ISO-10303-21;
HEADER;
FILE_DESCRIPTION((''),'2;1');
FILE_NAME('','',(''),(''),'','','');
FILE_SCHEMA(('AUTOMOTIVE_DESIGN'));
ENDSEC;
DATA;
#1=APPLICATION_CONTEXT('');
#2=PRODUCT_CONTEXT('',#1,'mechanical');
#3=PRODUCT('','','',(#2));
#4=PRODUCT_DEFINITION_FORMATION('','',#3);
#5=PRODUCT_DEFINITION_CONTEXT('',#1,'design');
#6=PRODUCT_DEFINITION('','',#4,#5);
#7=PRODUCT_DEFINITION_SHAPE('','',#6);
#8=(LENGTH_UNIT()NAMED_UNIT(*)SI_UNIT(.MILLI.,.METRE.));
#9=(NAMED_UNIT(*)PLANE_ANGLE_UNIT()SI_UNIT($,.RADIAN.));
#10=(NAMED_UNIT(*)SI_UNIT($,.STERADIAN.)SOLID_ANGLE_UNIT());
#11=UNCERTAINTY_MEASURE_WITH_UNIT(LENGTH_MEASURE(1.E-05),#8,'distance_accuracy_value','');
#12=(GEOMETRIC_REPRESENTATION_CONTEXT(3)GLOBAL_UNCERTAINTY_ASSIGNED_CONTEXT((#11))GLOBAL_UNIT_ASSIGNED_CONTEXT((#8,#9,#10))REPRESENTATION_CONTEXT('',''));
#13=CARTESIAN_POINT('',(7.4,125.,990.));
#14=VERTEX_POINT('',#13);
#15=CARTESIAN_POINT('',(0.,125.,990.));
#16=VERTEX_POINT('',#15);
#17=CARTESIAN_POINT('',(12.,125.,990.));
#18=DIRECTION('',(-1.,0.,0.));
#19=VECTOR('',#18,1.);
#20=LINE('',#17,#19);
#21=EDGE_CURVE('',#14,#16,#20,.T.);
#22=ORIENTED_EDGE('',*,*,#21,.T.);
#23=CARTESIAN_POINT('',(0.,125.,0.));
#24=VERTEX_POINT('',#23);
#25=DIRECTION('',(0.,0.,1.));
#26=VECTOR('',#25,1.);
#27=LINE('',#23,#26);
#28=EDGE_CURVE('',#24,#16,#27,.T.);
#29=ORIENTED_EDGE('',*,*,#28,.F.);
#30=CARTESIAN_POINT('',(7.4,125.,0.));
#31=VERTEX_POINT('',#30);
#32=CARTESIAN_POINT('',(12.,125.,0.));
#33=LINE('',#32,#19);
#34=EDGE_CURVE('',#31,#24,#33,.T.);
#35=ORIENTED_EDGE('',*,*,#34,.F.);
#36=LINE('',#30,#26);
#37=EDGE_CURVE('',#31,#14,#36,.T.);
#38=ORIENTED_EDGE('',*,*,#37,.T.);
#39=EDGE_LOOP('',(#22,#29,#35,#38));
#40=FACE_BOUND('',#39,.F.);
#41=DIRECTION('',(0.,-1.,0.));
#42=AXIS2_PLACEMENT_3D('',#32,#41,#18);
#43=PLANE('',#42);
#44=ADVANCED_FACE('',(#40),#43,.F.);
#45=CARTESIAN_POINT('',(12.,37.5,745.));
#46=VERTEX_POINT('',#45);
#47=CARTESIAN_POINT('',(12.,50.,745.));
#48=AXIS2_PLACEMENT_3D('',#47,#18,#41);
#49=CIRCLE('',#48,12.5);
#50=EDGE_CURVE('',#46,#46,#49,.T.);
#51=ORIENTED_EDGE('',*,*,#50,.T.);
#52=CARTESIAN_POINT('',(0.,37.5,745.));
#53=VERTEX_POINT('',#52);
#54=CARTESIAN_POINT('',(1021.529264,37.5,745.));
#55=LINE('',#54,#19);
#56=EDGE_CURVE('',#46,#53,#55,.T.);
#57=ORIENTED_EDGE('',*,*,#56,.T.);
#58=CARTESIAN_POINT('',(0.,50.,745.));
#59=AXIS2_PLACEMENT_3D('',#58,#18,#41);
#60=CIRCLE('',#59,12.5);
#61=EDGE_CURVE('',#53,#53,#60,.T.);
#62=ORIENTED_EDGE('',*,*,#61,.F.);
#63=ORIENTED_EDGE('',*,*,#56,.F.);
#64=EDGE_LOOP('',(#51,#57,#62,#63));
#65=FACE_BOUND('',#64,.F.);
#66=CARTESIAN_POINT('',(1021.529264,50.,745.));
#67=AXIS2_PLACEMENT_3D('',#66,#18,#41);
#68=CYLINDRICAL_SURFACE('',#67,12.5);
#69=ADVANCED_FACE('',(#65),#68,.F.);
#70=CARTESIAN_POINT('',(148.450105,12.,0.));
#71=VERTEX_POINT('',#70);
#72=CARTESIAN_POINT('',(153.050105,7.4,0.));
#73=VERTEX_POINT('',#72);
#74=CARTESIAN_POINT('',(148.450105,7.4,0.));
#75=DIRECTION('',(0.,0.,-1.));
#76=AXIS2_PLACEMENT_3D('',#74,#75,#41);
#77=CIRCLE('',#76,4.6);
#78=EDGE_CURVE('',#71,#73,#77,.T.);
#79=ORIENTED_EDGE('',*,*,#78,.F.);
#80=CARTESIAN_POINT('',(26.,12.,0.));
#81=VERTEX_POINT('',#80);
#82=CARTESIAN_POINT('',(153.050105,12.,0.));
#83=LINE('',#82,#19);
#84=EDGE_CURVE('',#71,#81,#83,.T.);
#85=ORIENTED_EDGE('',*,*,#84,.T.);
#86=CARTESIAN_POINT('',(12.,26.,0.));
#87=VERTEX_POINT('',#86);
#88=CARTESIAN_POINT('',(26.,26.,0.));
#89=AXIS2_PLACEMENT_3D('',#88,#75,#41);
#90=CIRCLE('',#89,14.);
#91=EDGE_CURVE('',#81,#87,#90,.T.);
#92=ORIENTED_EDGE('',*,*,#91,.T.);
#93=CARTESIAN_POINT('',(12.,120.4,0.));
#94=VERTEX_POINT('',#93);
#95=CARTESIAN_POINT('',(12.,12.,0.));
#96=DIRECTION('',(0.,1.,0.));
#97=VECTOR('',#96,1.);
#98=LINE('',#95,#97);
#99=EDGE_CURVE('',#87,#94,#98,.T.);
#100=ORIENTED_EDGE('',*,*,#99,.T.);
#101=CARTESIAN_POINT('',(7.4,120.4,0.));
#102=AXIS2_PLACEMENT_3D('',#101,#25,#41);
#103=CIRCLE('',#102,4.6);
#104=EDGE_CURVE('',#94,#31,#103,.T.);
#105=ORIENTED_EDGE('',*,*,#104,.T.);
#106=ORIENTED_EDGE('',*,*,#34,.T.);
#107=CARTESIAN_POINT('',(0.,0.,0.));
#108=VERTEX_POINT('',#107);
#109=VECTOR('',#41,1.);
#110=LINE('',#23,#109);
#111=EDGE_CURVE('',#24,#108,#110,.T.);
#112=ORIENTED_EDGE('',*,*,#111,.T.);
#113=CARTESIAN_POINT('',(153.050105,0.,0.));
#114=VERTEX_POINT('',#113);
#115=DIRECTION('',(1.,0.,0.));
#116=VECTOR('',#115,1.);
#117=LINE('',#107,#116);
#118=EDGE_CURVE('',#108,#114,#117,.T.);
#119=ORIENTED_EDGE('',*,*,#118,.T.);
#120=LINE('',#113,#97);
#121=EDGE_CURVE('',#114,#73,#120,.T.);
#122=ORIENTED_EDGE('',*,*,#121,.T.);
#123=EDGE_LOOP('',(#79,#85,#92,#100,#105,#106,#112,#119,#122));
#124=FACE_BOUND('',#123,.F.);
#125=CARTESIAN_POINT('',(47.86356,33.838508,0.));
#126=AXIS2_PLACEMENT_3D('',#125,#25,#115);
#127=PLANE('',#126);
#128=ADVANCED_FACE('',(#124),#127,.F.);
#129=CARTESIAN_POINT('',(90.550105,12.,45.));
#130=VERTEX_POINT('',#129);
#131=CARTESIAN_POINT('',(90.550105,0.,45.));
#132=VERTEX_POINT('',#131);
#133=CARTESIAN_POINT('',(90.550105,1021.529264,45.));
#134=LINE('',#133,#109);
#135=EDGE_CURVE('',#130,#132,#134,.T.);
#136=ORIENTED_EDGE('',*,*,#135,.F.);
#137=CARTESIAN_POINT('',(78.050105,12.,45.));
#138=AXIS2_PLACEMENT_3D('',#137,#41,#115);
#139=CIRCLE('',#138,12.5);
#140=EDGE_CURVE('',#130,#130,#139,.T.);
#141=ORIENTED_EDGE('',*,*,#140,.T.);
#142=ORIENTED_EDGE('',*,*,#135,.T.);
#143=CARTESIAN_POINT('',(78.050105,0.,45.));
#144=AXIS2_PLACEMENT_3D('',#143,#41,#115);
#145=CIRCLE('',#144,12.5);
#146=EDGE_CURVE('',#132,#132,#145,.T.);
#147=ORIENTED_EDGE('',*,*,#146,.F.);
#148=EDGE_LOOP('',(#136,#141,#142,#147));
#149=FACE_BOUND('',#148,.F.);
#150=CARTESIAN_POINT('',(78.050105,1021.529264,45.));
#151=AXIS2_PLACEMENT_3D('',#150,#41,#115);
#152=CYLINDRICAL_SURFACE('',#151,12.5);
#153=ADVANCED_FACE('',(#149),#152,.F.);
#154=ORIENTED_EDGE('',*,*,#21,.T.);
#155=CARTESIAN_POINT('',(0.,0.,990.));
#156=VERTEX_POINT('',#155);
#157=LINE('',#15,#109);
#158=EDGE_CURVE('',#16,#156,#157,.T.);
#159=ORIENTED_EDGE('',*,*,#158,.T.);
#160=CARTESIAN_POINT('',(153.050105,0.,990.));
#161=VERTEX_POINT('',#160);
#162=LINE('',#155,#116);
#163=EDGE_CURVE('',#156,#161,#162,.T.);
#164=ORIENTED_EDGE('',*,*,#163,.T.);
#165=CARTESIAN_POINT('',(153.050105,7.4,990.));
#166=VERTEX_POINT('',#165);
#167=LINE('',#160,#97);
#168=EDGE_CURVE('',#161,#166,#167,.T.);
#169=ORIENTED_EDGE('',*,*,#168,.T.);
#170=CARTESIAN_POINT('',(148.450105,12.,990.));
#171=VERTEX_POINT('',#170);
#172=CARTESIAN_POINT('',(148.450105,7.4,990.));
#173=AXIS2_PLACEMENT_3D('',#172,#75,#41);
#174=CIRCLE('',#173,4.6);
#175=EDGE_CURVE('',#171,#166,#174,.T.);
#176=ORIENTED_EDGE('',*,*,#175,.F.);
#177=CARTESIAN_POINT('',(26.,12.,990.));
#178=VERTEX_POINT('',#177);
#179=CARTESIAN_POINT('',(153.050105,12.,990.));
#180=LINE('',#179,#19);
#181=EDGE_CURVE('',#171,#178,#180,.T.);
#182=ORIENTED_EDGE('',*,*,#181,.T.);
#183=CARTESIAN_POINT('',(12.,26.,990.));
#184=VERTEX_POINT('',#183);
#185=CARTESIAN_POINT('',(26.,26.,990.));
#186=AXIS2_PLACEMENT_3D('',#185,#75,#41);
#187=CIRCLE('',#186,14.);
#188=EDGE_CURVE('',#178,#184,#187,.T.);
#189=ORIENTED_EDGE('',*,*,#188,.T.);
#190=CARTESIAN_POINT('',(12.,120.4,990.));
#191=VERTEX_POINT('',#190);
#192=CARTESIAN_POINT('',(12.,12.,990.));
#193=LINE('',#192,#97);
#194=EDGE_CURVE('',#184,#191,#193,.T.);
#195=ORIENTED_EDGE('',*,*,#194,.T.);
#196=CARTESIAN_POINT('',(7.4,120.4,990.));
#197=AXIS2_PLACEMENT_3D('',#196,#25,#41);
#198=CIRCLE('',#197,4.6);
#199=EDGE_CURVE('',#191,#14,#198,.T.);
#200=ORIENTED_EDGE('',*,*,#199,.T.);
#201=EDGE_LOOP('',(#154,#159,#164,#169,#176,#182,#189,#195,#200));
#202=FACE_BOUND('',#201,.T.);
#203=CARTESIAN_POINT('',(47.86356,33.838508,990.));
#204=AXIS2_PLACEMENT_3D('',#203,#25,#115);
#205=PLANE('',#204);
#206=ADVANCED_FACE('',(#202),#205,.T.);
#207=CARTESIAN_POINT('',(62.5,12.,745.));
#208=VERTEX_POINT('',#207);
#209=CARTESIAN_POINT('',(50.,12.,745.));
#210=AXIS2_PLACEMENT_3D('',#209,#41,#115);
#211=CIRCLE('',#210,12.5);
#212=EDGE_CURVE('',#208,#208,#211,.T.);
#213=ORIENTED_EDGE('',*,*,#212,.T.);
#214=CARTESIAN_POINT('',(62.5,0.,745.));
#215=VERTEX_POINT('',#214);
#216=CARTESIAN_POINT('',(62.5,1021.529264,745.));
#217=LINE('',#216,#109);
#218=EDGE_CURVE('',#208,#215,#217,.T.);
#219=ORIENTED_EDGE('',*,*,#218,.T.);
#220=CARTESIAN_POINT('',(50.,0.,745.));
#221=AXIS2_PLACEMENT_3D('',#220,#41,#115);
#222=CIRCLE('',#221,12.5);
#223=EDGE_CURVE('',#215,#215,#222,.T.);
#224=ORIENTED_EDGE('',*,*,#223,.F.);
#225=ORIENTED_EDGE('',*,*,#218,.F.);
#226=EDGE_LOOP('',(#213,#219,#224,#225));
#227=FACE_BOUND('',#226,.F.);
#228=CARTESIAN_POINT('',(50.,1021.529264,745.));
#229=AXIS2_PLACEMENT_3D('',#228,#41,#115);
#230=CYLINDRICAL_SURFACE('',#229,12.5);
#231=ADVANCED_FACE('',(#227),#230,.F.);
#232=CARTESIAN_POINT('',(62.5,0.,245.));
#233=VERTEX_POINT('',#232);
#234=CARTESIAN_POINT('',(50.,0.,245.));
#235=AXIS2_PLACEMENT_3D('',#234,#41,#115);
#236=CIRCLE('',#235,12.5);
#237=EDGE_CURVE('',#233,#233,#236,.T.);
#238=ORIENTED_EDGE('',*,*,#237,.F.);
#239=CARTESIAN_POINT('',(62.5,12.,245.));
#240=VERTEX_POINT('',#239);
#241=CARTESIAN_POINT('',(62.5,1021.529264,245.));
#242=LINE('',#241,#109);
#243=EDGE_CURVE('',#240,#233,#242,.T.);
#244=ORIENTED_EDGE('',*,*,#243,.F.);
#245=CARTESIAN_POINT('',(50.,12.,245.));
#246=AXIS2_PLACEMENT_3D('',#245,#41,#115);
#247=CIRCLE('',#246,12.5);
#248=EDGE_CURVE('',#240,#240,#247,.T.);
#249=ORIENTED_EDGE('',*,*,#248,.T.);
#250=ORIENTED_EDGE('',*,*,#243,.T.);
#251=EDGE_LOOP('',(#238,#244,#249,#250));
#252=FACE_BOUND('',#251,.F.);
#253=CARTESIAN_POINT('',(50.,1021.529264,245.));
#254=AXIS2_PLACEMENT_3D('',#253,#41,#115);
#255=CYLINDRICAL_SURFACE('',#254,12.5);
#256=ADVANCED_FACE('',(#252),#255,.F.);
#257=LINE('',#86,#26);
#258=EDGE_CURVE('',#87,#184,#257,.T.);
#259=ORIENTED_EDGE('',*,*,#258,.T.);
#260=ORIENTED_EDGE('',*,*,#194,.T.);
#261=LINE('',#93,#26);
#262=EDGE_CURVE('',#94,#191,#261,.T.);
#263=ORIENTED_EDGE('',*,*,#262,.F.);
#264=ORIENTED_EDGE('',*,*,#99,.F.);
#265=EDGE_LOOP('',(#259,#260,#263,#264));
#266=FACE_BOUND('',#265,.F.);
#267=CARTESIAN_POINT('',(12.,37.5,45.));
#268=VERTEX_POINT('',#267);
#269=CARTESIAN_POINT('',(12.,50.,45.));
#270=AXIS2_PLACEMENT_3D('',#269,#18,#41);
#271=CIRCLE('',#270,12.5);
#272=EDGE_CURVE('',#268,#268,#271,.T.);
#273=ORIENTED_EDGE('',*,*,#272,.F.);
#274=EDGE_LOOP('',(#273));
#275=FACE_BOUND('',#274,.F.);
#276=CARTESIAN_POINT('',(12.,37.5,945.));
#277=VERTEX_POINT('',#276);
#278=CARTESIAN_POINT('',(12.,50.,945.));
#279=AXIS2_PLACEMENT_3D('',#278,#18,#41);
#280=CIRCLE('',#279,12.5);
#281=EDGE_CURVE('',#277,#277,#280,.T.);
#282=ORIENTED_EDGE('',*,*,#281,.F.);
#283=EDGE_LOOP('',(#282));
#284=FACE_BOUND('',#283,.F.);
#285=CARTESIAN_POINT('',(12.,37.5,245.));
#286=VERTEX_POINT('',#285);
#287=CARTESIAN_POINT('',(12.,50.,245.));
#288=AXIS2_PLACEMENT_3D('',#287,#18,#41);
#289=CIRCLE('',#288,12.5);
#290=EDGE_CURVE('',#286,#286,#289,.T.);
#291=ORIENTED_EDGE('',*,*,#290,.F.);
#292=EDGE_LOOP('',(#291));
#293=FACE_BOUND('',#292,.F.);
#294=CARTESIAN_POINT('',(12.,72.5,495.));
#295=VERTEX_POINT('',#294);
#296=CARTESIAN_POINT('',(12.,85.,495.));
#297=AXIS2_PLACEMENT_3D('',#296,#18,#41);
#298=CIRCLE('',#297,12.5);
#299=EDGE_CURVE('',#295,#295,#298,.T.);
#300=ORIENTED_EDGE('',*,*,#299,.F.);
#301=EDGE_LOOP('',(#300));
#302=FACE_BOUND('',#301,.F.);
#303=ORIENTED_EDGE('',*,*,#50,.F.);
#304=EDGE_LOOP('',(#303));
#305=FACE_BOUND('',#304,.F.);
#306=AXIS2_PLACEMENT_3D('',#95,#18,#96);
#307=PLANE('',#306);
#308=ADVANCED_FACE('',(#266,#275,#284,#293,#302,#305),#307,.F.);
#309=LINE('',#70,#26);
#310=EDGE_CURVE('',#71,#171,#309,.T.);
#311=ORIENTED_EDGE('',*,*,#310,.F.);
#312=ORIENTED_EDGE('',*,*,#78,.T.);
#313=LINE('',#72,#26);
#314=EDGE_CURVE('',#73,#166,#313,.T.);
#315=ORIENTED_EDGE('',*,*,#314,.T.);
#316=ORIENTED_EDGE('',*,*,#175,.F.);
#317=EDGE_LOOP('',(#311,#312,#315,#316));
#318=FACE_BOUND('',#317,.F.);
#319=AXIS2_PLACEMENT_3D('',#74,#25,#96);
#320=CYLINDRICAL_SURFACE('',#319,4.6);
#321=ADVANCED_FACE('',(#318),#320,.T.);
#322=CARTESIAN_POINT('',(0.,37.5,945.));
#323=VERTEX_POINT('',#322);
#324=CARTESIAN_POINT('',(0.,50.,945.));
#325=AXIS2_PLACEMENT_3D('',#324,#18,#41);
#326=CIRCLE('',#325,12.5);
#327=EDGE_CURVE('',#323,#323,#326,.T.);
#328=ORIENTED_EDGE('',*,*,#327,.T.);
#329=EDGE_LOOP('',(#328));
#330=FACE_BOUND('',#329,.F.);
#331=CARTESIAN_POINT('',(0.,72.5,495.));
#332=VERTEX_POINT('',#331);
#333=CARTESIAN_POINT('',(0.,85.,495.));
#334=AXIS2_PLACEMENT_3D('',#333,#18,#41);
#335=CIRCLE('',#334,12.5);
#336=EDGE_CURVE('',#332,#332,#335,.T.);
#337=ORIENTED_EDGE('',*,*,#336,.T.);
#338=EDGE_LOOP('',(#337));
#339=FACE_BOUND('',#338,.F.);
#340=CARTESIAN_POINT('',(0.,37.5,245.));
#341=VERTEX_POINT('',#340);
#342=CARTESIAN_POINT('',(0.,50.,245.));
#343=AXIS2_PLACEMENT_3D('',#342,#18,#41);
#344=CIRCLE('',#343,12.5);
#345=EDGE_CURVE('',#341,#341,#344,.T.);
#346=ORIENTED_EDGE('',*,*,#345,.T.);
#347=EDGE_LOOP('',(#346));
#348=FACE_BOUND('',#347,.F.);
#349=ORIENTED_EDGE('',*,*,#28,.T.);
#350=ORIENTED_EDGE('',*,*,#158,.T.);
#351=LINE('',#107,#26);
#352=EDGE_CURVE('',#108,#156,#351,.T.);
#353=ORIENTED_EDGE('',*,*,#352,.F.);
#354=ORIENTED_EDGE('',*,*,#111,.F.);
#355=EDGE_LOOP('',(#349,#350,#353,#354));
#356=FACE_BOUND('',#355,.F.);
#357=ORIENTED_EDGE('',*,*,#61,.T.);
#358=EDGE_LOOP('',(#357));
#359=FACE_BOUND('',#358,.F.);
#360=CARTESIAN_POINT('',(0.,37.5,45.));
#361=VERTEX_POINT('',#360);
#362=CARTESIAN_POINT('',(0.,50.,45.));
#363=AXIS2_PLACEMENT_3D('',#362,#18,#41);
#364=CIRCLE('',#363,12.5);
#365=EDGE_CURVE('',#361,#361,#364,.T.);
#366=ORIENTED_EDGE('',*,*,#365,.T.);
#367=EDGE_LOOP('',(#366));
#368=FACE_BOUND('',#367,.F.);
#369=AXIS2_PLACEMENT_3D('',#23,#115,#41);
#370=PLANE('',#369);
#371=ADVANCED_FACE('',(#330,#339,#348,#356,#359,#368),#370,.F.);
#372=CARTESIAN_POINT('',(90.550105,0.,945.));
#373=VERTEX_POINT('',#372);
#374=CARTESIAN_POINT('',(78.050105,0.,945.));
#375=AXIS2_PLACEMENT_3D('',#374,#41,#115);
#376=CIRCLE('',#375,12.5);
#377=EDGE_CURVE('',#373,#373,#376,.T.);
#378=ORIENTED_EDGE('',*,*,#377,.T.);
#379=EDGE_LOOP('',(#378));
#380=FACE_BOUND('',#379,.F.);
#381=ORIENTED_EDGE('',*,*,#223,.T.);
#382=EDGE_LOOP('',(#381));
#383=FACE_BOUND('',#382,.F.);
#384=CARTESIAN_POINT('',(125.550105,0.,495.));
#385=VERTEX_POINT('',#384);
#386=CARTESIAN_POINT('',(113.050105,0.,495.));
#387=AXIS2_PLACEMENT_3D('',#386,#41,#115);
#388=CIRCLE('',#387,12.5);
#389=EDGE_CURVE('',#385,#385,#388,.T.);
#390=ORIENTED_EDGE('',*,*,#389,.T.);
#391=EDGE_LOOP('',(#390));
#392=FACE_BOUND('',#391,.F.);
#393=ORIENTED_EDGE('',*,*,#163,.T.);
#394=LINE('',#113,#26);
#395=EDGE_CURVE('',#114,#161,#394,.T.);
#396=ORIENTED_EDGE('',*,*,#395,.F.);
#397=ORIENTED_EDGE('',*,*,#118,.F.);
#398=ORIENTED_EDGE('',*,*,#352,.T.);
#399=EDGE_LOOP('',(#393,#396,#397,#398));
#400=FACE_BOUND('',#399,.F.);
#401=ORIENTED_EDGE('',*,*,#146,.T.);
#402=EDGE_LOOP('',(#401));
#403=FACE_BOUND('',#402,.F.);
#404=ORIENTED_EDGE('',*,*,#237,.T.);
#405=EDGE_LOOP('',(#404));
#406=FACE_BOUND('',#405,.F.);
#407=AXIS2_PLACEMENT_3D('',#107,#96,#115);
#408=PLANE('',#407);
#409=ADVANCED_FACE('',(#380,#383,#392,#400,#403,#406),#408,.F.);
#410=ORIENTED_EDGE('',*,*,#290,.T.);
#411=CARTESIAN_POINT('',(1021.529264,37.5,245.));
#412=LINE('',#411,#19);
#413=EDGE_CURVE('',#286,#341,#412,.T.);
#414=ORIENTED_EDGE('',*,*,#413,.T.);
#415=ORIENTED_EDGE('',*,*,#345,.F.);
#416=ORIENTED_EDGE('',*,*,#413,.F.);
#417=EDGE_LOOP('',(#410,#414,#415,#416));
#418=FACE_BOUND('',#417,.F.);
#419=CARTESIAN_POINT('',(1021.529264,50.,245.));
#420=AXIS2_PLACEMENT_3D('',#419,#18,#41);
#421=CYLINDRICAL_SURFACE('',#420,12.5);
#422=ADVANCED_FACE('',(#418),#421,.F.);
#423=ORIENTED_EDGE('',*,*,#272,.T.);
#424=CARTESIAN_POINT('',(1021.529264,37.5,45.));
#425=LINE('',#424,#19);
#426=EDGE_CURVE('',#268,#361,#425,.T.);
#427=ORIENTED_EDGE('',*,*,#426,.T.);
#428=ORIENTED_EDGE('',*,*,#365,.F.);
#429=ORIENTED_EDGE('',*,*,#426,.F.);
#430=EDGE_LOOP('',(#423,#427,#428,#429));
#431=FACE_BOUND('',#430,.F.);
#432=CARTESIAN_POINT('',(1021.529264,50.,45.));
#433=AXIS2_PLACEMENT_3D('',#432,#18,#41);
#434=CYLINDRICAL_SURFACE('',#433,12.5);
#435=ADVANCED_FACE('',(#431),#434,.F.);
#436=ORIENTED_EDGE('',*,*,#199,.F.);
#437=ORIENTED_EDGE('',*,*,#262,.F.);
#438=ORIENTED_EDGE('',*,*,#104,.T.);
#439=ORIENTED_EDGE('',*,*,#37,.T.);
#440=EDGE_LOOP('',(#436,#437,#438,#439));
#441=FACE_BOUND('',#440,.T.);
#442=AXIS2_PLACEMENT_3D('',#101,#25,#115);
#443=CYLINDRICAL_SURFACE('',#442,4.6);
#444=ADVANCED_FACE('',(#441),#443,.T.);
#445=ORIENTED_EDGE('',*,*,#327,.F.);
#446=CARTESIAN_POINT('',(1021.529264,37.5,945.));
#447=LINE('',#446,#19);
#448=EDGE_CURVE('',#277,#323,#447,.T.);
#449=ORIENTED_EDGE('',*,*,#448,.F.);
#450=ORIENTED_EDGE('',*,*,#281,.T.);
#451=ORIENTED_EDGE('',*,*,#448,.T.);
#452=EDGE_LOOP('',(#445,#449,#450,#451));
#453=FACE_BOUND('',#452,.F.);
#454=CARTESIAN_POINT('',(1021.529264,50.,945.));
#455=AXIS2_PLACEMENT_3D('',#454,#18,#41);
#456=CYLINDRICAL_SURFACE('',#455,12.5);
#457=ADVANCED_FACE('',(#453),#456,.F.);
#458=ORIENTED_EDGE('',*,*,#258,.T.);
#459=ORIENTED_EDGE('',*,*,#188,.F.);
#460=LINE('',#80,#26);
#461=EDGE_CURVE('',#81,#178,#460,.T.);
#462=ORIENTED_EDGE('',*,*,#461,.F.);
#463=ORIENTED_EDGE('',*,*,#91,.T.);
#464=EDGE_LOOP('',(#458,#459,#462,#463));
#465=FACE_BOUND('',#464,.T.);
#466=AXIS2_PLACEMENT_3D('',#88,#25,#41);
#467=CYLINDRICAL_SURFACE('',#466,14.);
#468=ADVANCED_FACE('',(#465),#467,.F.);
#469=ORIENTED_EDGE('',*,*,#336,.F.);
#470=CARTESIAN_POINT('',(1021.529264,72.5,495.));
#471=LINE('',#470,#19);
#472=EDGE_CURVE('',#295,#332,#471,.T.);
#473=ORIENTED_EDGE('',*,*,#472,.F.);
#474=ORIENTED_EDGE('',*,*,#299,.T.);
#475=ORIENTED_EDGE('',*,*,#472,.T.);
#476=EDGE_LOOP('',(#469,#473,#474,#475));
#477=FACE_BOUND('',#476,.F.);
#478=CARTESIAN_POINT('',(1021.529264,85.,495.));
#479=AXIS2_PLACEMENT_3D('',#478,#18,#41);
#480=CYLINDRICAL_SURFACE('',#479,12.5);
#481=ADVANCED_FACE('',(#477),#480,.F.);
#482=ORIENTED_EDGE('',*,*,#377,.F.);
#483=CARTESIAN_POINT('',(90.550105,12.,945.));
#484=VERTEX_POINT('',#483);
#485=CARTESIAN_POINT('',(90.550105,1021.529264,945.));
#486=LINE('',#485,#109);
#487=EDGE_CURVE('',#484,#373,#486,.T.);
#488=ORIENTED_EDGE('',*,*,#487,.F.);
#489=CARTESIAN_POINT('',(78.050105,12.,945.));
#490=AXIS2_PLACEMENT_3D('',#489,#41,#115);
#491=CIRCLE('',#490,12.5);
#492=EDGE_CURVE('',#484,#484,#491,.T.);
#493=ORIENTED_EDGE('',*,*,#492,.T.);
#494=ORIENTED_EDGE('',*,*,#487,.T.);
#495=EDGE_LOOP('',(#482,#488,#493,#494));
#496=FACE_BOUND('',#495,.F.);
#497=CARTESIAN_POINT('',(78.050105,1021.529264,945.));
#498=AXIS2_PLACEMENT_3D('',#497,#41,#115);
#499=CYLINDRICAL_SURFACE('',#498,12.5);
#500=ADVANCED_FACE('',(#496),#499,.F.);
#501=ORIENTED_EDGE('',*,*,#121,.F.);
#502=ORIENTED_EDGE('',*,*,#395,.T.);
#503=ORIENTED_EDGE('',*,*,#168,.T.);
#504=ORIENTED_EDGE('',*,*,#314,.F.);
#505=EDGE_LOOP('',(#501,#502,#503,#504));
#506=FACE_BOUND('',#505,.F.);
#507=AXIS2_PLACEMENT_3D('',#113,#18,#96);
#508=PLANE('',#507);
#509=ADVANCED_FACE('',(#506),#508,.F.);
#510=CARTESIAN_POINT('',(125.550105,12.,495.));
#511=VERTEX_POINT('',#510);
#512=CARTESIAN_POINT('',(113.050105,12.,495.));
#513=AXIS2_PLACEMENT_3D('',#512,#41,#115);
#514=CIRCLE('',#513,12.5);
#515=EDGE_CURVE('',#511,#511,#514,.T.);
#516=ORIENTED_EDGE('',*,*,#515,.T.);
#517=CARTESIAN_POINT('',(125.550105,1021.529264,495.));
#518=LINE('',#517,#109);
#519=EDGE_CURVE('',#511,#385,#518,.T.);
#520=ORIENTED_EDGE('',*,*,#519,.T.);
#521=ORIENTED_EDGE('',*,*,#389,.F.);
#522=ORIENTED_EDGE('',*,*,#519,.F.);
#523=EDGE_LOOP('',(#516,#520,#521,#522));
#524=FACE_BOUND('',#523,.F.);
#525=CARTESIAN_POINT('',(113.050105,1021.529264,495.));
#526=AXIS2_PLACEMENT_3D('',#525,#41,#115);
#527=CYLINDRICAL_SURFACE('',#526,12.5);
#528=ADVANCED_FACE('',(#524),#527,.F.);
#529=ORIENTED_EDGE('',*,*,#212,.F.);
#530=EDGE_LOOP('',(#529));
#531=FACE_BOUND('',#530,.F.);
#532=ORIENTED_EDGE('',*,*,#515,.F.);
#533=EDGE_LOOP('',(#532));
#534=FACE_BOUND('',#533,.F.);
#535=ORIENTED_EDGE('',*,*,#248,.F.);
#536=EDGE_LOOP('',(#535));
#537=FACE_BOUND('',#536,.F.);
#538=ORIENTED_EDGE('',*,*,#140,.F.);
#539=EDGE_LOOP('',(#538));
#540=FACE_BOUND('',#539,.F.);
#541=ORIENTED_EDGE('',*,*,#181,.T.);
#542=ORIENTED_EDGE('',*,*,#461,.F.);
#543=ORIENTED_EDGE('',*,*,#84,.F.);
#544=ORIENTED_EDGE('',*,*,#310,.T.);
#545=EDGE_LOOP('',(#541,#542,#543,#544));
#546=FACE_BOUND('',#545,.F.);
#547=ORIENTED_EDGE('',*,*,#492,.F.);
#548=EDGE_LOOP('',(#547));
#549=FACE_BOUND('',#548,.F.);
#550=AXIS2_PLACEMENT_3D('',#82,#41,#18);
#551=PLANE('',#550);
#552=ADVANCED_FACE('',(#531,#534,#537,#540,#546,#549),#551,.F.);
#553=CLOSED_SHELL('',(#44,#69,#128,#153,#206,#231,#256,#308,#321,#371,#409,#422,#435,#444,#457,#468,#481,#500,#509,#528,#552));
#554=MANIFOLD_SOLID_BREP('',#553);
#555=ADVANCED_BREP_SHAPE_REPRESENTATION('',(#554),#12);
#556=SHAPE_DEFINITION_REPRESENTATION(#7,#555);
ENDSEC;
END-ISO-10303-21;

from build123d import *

# Parameters (mm, degrees)
F1_DEPTH = 990
F2_R     = 14
F3_R     = 4.6
F5_D     = 25
F7_D     = 25
F9_D     = 25


with BuildPart() as f1:
    # F0 (on Top) → F1 (new body)
    with BuildSketch(Plane.XY):
        Polygon((0, 125), (0, 0), (153.050105, 0), (153.050105, 12), (12, 12), (12, 125), align=None)
    extrude(amount=F1_DEPTH)

    # F2
    f2_edges = [f1.edges().sort_by_distance(p)[0] for p in [
        (12, 12, 495),
    ]]
    fillet(f2_edges, radius=F2_R)

    # F3
    f3_edges = [f1.edges().sort_by_distance(p)[0] for p in [
        (12, 125, 495),
        (153.050105, 12, 495),
    ]]
    fillet(f3_edges, radius=F3_R)

    # F5 (through all)
    with Locations(Plane(origin=(0, 12, 0), x_dir=(-1, 0, 0), z_dir=(0, 1, 0))):
        with Locations((-113.050105, 495)):
            Hole(F5_D / 2)

    # F7 (through all)
    with Locations(Plane(origin=(0, 12, 0), x_dir=(-1, 0, 0), z_dir=(0, 1, 0))):
        with Locations((-78.050105, 945), (-50, 745), (-50, 245), (-78.050105, 45)):
            Hole(F7_D / 2)

    # F9 (through all)
    with Locations(Plane.YZ.offset(12)):
        with Locations((50, 945), (50, 745), (85, 495), (50, 245), (50, 45)):
            Hole(F9_D / 2)


solid = f1.part
